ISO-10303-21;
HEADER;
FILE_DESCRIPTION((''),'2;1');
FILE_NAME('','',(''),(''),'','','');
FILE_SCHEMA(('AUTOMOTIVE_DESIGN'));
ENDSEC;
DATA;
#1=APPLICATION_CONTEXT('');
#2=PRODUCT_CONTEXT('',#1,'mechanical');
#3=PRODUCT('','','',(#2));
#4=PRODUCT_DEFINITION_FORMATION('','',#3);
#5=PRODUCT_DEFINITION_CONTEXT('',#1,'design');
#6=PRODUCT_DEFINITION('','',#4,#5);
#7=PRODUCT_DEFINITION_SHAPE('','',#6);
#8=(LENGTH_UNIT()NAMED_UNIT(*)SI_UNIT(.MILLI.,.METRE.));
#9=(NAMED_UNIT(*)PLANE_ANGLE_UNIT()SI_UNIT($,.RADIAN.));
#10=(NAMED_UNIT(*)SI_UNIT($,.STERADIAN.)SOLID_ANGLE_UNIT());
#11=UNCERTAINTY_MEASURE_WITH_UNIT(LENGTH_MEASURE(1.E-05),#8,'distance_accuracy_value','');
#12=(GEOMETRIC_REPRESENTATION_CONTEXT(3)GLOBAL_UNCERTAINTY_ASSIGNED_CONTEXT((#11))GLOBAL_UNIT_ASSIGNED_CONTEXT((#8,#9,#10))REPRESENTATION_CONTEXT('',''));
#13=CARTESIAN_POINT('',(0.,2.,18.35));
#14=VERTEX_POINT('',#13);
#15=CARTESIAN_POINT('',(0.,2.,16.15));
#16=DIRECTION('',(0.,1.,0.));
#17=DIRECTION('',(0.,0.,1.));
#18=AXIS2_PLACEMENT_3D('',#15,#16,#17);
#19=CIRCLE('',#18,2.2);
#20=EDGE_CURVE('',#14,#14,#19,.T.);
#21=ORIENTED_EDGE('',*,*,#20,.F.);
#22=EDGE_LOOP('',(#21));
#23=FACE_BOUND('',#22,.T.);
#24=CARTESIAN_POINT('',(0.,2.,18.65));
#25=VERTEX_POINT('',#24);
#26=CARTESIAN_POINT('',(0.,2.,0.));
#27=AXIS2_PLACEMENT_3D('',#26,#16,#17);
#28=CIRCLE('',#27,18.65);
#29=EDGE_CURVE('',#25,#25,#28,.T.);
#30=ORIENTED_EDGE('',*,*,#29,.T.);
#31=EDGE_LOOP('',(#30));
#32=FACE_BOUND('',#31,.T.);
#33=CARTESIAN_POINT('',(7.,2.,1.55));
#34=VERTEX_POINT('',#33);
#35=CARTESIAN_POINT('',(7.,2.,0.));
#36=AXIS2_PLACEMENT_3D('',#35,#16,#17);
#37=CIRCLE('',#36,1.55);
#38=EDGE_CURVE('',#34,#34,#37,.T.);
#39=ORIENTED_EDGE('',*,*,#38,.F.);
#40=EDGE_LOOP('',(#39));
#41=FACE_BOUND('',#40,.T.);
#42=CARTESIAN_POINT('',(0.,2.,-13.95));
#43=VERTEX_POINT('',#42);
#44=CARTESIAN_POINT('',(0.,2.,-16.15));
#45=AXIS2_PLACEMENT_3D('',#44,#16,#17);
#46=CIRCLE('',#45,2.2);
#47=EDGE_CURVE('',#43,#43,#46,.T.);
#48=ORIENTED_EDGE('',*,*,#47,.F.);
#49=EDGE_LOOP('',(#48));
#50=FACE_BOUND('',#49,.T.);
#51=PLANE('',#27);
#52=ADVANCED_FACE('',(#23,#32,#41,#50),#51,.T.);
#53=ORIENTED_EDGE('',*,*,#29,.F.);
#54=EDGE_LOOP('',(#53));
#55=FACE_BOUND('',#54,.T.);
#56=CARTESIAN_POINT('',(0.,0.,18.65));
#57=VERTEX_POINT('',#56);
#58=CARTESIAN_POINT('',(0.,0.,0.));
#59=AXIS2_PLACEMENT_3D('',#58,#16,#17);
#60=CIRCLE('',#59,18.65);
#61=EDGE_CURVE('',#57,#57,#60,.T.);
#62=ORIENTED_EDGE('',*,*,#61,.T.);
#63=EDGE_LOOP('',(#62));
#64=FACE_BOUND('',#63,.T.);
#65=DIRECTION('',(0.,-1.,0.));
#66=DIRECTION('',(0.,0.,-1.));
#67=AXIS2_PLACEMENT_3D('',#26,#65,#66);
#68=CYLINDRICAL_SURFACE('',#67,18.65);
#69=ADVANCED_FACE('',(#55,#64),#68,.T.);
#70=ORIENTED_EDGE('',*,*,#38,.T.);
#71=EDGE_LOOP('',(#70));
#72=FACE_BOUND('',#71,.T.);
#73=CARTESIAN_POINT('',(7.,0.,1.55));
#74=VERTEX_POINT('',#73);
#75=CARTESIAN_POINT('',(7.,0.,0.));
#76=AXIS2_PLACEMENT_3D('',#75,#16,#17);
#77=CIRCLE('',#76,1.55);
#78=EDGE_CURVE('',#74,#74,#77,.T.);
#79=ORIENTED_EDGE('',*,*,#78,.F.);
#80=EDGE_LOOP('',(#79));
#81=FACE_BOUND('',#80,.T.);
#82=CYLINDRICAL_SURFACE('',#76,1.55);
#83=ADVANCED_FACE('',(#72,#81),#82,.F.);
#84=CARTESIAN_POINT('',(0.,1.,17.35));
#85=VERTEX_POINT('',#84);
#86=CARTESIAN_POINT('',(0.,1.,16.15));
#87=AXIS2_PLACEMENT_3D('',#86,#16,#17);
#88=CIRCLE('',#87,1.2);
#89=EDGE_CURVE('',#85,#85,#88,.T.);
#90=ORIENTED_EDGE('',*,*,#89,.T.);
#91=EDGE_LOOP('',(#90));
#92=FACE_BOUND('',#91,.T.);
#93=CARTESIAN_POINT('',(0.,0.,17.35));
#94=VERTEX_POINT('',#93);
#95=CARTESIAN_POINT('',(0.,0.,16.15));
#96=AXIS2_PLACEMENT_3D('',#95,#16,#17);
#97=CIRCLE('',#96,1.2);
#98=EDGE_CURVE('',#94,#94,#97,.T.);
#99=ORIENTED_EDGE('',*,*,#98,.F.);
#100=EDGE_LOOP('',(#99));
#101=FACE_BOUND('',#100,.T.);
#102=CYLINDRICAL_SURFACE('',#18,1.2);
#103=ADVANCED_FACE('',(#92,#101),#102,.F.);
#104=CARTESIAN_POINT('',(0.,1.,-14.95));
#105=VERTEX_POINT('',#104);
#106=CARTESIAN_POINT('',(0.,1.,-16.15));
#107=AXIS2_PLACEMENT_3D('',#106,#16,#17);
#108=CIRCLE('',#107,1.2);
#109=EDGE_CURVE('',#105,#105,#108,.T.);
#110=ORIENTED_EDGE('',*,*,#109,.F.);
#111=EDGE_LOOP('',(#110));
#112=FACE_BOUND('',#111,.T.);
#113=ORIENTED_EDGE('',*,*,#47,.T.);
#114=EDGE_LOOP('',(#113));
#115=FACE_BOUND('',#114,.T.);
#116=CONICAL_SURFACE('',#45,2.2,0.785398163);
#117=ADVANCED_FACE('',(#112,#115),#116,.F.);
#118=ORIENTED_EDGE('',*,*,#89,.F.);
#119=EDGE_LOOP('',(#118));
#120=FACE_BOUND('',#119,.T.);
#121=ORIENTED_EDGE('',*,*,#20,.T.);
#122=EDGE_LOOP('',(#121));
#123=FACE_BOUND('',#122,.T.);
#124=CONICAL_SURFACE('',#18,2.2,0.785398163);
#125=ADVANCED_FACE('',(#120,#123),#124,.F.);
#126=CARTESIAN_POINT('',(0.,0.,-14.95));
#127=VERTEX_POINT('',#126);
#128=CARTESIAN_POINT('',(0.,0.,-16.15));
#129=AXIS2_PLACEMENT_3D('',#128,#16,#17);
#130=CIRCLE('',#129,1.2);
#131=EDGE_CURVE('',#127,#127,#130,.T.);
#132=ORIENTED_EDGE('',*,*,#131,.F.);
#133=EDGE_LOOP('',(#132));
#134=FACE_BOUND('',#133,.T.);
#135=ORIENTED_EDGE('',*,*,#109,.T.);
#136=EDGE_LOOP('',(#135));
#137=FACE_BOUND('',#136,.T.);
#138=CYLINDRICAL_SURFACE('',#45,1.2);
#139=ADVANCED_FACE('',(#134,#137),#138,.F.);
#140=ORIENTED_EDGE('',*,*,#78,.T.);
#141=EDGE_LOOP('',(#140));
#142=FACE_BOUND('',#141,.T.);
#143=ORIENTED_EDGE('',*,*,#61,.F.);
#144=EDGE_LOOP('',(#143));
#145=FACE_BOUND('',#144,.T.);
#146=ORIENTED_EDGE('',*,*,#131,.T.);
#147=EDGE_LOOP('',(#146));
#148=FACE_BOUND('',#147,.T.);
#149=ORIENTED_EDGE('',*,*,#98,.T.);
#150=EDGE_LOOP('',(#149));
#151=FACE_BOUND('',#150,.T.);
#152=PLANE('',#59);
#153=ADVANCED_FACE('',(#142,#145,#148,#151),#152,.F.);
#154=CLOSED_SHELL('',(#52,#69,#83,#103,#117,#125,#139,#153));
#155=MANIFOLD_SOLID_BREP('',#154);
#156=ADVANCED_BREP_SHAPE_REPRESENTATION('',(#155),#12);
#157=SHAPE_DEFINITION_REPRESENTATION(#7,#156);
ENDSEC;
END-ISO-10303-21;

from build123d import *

# Parameters (mm, degrees)
SKETCH_1_R                 = 18.65
EXTRUDE_1_DEPTH            = 2
SKETCH_2_R                 = 1.55
CUT_EXTRUDE_1_DEPTH        = 2
HOLE_WIZARD_M21_AT_2_COUNT = 2
HOLE_WIZARD_M21_AT_2_PITCH = 32.3


with BuildPart() as part:
    # Эскиз1 → Бобышка-Вытянуть1 (new body)
    with BuildSketch(Plane(origin=(0, 0, 0), x_dir=(1, 0, 0), z_dir=(0, 1, 0))):
        Circle(SKETCH_1_R)
    extrude(amount=EXTRUDE_1_DEPTH)

    # Эскиз2 → Вырез-Вытянуть1 (cut)
    with BuildSketch(Plane(origin=(0, 2, 0), x_dir=(1, 0, 0), z_dir=(0, 1, 0))):
        with Locations((7, 0)):
            Circle(SKETCH_2_R)
    extrude(amount=-CUT_EXTRUDE_1_DEPTH, mode=Mode.SUBTRACT)

    # Эскиз4 → Зенковка для  винта с плоской головкой M21 (revolve, cut)
    with BuildSketch(Plane(origin=(0, 2, -16.15), x_dir=(0, 0, 1), z_dir=(1, 0, 0))):
        Polygon((0, 0), (0, 2), (1.2, 2), (1.2, 1), (2.2, 0), align=None)
    hole_wizard_m21 = revolve(axis=Axis((0, 8.35, -16.15), (0, -1, 0)), mode=Mode.SUBTRACT)

    # Зенковка для  винта с плоской головкой M21 at 2: Зенковка для  винта с плоской головкой M21 ×2
    with Locations(*[(0, 0, i * HOLE_WIZARD_M21_AT_2_PITCH) for i in range(1, HOLE_WIZARD_M21_AT_2_COUNT)]):
        add(hole_wizard_m21, mode=Mode.SUBTRACT)


solid = part.part
